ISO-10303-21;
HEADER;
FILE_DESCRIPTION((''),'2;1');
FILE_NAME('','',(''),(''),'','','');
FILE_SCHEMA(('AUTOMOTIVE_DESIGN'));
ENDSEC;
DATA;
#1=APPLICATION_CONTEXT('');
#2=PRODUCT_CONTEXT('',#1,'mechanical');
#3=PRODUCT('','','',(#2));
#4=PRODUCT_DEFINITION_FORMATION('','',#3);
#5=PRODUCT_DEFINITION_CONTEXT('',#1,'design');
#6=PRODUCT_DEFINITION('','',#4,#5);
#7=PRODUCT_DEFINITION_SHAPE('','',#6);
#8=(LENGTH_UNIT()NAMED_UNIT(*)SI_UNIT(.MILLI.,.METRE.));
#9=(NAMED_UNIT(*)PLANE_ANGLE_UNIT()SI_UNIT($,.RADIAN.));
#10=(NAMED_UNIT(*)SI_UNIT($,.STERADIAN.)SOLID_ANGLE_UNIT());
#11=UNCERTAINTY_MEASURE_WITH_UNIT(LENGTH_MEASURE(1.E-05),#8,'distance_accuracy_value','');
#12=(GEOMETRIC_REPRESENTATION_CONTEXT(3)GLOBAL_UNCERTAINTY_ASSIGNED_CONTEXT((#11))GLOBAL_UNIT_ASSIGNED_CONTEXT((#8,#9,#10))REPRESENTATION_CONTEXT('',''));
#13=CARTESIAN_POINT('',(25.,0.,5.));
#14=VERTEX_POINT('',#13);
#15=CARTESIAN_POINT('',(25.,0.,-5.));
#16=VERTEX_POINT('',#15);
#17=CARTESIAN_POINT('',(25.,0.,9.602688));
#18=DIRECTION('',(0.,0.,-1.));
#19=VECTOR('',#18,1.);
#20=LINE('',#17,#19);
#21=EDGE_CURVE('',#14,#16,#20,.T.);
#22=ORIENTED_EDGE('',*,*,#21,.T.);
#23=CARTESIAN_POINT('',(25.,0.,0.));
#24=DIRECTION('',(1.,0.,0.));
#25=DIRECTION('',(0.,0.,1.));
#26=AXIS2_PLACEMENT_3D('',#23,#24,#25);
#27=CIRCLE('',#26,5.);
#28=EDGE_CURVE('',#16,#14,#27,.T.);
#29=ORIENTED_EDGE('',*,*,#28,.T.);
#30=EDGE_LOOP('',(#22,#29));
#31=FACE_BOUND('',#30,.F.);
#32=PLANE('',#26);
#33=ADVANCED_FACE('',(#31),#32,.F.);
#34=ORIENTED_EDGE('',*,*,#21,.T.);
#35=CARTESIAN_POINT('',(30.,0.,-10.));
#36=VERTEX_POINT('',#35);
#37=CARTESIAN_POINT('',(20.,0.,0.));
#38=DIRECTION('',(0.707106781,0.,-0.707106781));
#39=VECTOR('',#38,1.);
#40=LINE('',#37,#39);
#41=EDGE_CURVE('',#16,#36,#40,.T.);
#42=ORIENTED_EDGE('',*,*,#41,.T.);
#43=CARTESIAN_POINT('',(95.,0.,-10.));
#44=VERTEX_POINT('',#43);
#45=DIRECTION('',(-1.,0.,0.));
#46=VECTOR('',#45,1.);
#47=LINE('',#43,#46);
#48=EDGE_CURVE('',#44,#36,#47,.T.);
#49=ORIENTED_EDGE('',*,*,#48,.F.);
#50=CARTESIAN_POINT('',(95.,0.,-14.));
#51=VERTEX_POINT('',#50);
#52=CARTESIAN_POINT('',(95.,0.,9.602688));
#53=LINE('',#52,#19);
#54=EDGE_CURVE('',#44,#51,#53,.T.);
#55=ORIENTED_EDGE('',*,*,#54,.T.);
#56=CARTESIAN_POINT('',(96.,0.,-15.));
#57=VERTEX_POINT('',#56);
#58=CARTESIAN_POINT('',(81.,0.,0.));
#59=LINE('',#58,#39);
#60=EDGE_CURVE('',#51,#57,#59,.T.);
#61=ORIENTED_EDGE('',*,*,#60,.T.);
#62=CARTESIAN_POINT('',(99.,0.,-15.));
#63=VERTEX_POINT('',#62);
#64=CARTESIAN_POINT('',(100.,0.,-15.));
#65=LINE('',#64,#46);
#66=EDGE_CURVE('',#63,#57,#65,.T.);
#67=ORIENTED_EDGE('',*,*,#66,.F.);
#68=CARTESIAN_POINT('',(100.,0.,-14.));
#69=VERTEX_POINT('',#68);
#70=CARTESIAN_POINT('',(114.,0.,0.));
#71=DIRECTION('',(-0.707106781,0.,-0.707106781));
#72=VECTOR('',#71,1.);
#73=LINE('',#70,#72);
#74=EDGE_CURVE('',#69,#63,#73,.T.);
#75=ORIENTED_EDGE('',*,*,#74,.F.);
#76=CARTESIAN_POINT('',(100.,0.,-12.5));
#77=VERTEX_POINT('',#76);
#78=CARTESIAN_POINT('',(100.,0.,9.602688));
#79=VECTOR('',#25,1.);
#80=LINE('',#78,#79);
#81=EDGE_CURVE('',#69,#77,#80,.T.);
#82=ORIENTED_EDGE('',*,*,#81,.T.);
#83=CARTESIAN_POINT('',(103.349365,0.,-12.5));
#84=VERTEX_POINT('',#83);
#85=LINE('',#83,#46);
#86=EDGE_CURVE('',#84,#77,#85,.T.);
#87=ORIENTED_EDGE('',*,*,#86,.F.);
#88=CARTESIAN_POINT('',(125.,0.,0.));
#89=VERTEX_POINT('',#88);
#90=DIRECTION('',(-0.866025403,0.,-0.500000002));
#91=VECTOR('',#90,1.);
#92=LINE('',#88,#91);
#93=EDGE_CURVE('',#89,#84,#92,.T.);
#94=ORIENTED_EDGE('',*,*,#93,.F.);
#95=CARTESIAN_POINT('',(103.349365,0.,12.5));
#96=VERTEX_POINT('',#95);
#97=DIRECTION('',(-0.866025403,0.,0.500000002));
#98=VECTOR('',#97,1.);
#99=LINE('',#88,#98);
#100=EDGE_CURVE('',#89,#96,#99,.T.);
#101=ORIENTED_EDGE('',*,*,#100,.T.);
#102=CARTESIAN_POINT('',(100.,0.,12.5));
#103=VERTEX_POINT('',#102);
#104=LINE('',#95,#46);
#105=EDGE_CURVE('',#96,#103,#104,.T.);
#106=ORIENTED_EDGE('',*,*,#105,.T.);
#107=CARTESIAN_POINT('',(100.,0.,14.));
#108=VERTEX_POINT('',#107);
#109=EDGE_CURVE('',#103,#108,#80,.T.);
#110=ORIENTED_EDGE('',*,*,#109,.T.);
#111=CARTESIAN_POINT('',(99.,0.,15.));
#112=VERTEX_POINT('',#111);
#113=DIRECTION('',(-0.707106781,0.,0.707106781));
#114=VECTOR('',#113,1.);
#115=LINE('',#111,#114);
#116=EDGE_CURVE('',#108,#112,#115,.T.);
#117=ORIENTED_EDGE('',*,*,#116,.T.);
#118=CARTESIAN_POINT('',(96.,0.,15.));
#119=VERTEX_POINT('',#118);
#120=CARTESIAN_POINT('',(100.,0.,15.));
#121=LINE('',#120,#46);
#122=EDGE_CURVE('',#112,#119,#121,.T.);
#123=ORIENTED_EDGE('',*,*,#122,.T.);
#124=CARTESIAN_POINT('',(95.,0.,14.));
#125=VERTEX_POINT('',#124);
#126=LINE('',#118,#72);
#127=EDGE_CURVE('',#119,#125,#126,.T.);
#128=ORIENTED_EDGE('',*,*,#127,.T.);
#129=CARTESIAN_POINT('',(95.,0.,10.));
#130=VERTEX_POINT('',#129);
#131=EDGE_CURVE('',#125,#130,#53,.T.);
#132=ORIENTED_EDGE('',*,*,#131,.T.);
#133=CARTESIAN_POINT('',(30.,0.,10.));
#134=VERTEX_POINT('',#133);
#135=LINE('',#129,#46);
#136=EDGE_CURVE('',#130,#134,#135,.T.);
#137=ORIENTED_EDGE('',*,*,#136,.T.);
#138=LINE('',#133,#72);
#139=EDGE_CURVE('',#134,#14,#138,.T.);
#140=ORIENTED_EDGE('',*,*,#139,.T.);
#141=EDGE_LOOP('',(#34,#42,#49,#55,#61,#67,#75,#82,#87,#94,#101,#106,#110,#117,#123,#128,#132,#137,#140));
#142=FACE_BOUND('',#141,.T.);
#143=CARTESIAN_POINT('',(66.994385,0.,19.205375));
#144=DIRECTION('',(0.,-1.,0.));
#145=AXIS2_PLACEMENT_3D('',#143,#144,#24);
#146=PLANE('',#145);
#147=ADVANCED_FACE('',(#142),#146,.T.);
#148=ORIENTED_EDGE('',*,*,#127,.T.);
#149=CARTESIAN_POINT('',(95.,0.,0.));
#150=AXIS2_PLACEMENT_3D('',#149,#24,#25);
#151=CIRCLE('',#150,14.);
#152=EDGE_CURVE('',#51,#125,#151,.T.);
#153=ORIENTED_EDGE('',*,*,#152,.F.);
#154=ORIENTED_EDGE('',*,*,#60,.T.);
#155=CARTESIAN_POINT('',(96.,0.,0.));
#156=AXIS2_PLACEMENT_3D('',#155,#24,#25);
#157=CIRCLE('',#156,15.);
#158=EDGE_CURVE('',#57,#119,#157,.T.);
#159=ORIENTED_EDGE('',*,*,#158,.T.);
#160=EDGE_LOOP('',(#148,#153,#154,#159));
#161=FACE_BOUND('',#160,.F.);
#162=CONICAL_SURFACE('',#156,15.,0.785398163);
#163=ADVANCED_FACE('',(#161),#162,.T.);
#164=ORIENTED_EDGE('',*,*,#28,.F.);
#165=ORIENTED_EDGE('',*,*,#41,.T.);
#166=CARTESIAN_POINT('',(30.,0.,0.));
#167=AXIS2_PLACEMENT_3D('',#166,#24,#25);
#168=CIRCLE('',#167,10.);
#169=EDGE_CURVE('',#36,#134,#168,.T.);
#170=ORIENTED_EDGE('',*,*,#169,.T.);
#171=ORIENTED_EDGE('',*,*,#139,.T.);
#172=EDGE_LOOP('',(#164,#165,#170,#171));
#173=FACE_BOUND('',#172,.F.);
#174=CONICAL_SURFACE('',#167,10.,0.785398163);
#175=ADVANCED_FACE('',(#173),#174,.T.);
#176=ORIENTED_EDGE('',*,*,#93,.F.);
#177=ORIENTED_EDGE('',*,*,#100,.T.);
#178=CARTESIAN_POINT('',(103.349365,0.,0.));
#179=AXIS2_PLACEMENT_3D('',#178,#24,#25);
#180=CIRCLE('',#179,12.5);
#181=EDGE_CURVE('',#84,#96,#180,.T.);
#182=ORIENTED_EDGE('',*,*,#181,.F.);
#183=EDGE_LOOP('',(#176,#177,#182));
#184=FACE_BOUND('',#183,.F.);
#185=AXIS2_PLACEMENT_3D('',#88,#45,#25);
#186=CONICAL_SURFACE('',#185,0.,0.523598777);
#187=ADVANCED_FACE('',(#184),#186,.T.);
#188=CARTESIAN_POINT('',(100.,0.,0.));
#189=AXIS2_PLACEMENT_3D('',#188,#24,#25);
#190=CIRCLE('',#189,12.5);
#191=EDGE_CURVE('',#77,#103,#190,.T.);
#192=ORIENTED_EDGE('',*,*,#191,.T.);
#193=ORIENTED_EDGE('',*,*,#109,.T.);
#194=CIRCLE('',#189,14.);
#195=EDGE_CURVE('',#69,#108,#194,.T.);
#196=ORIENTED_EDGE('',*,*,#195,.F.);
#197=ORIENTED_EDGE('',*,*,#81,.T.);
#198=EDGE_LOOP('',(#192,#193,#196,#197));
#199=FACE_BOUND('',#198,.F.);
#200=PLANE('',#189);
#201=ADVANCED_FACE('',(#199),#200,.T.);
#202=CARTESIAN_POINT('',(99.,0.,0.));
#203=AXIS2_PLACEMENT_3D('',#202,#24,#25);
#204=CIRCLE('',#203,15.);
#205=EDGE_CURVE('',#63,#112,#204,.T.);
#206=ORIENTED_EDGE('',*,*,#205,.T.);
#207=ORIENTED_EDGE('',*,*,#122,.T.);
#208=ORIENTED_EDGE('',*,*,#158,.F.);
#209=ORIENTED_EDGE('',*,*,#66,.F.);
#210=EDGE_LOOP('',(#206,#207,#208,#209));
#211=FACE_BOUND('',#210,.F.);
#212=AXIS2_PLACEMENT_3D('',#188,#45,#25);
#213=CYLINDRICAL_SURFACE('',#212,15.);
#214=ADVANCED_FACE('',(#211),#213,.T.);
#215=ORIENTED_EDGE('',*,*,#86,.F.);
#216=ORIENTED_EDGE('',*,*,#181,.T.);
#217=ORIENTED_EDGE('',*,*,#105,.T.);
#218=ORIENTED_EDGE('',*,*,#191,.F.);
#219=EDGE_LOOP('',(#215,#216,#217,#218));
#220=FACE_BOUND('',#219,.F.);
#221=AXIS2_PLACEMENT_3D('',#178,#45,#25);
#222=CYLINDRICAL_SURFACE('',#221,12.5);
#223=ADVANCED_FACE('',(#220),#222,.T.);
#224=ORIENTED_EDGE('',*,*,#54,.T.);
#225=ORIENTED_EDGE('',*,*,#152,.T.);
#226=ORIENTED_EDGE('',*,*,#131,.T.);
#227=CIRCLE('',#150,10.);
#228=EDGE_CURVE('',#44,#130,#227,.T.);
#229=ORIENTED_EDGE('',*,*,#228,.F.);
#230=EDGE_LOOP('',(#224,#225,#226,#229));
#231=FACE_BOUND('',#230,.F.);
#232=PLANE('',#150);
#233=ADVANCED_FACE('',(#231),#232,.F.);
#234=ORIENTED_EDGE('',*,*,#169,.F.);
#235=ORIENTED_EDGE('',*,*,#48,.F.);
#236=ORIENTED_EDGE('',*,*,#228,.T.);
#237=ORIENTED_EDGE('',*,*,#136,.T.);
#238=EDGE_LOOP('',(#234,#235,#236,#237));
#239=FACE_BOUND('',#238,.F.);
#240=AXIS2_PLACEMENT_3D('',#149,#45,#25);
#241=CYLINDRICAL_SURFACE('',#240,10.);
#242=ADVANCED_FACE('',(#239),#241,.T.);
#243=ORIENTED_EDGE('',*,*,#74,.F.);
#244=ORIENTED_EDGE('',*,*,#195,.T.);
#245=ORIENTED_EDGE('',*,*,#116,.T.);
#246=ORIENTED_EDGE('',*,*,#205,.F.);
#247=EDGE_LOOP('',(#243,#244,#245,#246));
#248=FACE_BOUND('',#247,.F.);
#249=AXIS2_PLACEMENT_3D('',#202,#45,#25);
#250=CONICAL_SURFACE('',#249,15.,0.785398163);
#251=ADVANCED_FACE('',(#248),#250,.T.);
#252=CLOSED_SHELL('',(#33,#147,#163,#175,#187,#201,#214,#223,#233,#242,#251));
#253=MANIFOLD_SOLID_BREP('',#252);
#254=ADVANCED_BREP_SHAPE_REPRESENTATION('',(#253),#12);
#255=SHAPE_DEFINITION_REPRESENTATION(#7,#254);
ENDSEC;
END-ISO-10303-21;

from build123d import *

# Parameters (mm, degrees)
F2_SIZE  = 1
F3_SIZE  = 5
F5_W     = 154.381274
F5_H     = 110.501114
F6_DEPTH = 25


with BuildPart() as f1:
    # F0 (on Front) → F1 (revolve)
    with BuildSketch(Plane.XZ):
        Polygon((95, 10), (25, 10), (25, 0), (125, 0), (103.349365, 12.5), (100, 12.5), (100, 15), (95, 15), align=None)
    revolve(axis=Axis((75, 0, 0), (1, 0, 0)))

    # F2
    f2_edges = [f1.edges().sort_by_distance(p)[0] for p in [
        (100, 0, -15),
        (95, 0, -15),
    ]]
    chamfer(f2_edges, length=F2_SIZE)

    # F3
    f3_edges = [f1.edges().sort_by_distance(p)[0] for p in [
        (25, 0, -10),
    ]]
    chamfer(f3_edges, length=F3_SIZE)

    # F5 (on offset) → F6 (cut)
    with BuildSketch(Plane.XZ.offset(25)):
        with Locations((66.994385, 19.205375)):
            Rectangle(F5_W, F5_H)
    extrude(amount=-F6_DEPTH, mode=Mode.SUBTRACT)


solid = f1.part
